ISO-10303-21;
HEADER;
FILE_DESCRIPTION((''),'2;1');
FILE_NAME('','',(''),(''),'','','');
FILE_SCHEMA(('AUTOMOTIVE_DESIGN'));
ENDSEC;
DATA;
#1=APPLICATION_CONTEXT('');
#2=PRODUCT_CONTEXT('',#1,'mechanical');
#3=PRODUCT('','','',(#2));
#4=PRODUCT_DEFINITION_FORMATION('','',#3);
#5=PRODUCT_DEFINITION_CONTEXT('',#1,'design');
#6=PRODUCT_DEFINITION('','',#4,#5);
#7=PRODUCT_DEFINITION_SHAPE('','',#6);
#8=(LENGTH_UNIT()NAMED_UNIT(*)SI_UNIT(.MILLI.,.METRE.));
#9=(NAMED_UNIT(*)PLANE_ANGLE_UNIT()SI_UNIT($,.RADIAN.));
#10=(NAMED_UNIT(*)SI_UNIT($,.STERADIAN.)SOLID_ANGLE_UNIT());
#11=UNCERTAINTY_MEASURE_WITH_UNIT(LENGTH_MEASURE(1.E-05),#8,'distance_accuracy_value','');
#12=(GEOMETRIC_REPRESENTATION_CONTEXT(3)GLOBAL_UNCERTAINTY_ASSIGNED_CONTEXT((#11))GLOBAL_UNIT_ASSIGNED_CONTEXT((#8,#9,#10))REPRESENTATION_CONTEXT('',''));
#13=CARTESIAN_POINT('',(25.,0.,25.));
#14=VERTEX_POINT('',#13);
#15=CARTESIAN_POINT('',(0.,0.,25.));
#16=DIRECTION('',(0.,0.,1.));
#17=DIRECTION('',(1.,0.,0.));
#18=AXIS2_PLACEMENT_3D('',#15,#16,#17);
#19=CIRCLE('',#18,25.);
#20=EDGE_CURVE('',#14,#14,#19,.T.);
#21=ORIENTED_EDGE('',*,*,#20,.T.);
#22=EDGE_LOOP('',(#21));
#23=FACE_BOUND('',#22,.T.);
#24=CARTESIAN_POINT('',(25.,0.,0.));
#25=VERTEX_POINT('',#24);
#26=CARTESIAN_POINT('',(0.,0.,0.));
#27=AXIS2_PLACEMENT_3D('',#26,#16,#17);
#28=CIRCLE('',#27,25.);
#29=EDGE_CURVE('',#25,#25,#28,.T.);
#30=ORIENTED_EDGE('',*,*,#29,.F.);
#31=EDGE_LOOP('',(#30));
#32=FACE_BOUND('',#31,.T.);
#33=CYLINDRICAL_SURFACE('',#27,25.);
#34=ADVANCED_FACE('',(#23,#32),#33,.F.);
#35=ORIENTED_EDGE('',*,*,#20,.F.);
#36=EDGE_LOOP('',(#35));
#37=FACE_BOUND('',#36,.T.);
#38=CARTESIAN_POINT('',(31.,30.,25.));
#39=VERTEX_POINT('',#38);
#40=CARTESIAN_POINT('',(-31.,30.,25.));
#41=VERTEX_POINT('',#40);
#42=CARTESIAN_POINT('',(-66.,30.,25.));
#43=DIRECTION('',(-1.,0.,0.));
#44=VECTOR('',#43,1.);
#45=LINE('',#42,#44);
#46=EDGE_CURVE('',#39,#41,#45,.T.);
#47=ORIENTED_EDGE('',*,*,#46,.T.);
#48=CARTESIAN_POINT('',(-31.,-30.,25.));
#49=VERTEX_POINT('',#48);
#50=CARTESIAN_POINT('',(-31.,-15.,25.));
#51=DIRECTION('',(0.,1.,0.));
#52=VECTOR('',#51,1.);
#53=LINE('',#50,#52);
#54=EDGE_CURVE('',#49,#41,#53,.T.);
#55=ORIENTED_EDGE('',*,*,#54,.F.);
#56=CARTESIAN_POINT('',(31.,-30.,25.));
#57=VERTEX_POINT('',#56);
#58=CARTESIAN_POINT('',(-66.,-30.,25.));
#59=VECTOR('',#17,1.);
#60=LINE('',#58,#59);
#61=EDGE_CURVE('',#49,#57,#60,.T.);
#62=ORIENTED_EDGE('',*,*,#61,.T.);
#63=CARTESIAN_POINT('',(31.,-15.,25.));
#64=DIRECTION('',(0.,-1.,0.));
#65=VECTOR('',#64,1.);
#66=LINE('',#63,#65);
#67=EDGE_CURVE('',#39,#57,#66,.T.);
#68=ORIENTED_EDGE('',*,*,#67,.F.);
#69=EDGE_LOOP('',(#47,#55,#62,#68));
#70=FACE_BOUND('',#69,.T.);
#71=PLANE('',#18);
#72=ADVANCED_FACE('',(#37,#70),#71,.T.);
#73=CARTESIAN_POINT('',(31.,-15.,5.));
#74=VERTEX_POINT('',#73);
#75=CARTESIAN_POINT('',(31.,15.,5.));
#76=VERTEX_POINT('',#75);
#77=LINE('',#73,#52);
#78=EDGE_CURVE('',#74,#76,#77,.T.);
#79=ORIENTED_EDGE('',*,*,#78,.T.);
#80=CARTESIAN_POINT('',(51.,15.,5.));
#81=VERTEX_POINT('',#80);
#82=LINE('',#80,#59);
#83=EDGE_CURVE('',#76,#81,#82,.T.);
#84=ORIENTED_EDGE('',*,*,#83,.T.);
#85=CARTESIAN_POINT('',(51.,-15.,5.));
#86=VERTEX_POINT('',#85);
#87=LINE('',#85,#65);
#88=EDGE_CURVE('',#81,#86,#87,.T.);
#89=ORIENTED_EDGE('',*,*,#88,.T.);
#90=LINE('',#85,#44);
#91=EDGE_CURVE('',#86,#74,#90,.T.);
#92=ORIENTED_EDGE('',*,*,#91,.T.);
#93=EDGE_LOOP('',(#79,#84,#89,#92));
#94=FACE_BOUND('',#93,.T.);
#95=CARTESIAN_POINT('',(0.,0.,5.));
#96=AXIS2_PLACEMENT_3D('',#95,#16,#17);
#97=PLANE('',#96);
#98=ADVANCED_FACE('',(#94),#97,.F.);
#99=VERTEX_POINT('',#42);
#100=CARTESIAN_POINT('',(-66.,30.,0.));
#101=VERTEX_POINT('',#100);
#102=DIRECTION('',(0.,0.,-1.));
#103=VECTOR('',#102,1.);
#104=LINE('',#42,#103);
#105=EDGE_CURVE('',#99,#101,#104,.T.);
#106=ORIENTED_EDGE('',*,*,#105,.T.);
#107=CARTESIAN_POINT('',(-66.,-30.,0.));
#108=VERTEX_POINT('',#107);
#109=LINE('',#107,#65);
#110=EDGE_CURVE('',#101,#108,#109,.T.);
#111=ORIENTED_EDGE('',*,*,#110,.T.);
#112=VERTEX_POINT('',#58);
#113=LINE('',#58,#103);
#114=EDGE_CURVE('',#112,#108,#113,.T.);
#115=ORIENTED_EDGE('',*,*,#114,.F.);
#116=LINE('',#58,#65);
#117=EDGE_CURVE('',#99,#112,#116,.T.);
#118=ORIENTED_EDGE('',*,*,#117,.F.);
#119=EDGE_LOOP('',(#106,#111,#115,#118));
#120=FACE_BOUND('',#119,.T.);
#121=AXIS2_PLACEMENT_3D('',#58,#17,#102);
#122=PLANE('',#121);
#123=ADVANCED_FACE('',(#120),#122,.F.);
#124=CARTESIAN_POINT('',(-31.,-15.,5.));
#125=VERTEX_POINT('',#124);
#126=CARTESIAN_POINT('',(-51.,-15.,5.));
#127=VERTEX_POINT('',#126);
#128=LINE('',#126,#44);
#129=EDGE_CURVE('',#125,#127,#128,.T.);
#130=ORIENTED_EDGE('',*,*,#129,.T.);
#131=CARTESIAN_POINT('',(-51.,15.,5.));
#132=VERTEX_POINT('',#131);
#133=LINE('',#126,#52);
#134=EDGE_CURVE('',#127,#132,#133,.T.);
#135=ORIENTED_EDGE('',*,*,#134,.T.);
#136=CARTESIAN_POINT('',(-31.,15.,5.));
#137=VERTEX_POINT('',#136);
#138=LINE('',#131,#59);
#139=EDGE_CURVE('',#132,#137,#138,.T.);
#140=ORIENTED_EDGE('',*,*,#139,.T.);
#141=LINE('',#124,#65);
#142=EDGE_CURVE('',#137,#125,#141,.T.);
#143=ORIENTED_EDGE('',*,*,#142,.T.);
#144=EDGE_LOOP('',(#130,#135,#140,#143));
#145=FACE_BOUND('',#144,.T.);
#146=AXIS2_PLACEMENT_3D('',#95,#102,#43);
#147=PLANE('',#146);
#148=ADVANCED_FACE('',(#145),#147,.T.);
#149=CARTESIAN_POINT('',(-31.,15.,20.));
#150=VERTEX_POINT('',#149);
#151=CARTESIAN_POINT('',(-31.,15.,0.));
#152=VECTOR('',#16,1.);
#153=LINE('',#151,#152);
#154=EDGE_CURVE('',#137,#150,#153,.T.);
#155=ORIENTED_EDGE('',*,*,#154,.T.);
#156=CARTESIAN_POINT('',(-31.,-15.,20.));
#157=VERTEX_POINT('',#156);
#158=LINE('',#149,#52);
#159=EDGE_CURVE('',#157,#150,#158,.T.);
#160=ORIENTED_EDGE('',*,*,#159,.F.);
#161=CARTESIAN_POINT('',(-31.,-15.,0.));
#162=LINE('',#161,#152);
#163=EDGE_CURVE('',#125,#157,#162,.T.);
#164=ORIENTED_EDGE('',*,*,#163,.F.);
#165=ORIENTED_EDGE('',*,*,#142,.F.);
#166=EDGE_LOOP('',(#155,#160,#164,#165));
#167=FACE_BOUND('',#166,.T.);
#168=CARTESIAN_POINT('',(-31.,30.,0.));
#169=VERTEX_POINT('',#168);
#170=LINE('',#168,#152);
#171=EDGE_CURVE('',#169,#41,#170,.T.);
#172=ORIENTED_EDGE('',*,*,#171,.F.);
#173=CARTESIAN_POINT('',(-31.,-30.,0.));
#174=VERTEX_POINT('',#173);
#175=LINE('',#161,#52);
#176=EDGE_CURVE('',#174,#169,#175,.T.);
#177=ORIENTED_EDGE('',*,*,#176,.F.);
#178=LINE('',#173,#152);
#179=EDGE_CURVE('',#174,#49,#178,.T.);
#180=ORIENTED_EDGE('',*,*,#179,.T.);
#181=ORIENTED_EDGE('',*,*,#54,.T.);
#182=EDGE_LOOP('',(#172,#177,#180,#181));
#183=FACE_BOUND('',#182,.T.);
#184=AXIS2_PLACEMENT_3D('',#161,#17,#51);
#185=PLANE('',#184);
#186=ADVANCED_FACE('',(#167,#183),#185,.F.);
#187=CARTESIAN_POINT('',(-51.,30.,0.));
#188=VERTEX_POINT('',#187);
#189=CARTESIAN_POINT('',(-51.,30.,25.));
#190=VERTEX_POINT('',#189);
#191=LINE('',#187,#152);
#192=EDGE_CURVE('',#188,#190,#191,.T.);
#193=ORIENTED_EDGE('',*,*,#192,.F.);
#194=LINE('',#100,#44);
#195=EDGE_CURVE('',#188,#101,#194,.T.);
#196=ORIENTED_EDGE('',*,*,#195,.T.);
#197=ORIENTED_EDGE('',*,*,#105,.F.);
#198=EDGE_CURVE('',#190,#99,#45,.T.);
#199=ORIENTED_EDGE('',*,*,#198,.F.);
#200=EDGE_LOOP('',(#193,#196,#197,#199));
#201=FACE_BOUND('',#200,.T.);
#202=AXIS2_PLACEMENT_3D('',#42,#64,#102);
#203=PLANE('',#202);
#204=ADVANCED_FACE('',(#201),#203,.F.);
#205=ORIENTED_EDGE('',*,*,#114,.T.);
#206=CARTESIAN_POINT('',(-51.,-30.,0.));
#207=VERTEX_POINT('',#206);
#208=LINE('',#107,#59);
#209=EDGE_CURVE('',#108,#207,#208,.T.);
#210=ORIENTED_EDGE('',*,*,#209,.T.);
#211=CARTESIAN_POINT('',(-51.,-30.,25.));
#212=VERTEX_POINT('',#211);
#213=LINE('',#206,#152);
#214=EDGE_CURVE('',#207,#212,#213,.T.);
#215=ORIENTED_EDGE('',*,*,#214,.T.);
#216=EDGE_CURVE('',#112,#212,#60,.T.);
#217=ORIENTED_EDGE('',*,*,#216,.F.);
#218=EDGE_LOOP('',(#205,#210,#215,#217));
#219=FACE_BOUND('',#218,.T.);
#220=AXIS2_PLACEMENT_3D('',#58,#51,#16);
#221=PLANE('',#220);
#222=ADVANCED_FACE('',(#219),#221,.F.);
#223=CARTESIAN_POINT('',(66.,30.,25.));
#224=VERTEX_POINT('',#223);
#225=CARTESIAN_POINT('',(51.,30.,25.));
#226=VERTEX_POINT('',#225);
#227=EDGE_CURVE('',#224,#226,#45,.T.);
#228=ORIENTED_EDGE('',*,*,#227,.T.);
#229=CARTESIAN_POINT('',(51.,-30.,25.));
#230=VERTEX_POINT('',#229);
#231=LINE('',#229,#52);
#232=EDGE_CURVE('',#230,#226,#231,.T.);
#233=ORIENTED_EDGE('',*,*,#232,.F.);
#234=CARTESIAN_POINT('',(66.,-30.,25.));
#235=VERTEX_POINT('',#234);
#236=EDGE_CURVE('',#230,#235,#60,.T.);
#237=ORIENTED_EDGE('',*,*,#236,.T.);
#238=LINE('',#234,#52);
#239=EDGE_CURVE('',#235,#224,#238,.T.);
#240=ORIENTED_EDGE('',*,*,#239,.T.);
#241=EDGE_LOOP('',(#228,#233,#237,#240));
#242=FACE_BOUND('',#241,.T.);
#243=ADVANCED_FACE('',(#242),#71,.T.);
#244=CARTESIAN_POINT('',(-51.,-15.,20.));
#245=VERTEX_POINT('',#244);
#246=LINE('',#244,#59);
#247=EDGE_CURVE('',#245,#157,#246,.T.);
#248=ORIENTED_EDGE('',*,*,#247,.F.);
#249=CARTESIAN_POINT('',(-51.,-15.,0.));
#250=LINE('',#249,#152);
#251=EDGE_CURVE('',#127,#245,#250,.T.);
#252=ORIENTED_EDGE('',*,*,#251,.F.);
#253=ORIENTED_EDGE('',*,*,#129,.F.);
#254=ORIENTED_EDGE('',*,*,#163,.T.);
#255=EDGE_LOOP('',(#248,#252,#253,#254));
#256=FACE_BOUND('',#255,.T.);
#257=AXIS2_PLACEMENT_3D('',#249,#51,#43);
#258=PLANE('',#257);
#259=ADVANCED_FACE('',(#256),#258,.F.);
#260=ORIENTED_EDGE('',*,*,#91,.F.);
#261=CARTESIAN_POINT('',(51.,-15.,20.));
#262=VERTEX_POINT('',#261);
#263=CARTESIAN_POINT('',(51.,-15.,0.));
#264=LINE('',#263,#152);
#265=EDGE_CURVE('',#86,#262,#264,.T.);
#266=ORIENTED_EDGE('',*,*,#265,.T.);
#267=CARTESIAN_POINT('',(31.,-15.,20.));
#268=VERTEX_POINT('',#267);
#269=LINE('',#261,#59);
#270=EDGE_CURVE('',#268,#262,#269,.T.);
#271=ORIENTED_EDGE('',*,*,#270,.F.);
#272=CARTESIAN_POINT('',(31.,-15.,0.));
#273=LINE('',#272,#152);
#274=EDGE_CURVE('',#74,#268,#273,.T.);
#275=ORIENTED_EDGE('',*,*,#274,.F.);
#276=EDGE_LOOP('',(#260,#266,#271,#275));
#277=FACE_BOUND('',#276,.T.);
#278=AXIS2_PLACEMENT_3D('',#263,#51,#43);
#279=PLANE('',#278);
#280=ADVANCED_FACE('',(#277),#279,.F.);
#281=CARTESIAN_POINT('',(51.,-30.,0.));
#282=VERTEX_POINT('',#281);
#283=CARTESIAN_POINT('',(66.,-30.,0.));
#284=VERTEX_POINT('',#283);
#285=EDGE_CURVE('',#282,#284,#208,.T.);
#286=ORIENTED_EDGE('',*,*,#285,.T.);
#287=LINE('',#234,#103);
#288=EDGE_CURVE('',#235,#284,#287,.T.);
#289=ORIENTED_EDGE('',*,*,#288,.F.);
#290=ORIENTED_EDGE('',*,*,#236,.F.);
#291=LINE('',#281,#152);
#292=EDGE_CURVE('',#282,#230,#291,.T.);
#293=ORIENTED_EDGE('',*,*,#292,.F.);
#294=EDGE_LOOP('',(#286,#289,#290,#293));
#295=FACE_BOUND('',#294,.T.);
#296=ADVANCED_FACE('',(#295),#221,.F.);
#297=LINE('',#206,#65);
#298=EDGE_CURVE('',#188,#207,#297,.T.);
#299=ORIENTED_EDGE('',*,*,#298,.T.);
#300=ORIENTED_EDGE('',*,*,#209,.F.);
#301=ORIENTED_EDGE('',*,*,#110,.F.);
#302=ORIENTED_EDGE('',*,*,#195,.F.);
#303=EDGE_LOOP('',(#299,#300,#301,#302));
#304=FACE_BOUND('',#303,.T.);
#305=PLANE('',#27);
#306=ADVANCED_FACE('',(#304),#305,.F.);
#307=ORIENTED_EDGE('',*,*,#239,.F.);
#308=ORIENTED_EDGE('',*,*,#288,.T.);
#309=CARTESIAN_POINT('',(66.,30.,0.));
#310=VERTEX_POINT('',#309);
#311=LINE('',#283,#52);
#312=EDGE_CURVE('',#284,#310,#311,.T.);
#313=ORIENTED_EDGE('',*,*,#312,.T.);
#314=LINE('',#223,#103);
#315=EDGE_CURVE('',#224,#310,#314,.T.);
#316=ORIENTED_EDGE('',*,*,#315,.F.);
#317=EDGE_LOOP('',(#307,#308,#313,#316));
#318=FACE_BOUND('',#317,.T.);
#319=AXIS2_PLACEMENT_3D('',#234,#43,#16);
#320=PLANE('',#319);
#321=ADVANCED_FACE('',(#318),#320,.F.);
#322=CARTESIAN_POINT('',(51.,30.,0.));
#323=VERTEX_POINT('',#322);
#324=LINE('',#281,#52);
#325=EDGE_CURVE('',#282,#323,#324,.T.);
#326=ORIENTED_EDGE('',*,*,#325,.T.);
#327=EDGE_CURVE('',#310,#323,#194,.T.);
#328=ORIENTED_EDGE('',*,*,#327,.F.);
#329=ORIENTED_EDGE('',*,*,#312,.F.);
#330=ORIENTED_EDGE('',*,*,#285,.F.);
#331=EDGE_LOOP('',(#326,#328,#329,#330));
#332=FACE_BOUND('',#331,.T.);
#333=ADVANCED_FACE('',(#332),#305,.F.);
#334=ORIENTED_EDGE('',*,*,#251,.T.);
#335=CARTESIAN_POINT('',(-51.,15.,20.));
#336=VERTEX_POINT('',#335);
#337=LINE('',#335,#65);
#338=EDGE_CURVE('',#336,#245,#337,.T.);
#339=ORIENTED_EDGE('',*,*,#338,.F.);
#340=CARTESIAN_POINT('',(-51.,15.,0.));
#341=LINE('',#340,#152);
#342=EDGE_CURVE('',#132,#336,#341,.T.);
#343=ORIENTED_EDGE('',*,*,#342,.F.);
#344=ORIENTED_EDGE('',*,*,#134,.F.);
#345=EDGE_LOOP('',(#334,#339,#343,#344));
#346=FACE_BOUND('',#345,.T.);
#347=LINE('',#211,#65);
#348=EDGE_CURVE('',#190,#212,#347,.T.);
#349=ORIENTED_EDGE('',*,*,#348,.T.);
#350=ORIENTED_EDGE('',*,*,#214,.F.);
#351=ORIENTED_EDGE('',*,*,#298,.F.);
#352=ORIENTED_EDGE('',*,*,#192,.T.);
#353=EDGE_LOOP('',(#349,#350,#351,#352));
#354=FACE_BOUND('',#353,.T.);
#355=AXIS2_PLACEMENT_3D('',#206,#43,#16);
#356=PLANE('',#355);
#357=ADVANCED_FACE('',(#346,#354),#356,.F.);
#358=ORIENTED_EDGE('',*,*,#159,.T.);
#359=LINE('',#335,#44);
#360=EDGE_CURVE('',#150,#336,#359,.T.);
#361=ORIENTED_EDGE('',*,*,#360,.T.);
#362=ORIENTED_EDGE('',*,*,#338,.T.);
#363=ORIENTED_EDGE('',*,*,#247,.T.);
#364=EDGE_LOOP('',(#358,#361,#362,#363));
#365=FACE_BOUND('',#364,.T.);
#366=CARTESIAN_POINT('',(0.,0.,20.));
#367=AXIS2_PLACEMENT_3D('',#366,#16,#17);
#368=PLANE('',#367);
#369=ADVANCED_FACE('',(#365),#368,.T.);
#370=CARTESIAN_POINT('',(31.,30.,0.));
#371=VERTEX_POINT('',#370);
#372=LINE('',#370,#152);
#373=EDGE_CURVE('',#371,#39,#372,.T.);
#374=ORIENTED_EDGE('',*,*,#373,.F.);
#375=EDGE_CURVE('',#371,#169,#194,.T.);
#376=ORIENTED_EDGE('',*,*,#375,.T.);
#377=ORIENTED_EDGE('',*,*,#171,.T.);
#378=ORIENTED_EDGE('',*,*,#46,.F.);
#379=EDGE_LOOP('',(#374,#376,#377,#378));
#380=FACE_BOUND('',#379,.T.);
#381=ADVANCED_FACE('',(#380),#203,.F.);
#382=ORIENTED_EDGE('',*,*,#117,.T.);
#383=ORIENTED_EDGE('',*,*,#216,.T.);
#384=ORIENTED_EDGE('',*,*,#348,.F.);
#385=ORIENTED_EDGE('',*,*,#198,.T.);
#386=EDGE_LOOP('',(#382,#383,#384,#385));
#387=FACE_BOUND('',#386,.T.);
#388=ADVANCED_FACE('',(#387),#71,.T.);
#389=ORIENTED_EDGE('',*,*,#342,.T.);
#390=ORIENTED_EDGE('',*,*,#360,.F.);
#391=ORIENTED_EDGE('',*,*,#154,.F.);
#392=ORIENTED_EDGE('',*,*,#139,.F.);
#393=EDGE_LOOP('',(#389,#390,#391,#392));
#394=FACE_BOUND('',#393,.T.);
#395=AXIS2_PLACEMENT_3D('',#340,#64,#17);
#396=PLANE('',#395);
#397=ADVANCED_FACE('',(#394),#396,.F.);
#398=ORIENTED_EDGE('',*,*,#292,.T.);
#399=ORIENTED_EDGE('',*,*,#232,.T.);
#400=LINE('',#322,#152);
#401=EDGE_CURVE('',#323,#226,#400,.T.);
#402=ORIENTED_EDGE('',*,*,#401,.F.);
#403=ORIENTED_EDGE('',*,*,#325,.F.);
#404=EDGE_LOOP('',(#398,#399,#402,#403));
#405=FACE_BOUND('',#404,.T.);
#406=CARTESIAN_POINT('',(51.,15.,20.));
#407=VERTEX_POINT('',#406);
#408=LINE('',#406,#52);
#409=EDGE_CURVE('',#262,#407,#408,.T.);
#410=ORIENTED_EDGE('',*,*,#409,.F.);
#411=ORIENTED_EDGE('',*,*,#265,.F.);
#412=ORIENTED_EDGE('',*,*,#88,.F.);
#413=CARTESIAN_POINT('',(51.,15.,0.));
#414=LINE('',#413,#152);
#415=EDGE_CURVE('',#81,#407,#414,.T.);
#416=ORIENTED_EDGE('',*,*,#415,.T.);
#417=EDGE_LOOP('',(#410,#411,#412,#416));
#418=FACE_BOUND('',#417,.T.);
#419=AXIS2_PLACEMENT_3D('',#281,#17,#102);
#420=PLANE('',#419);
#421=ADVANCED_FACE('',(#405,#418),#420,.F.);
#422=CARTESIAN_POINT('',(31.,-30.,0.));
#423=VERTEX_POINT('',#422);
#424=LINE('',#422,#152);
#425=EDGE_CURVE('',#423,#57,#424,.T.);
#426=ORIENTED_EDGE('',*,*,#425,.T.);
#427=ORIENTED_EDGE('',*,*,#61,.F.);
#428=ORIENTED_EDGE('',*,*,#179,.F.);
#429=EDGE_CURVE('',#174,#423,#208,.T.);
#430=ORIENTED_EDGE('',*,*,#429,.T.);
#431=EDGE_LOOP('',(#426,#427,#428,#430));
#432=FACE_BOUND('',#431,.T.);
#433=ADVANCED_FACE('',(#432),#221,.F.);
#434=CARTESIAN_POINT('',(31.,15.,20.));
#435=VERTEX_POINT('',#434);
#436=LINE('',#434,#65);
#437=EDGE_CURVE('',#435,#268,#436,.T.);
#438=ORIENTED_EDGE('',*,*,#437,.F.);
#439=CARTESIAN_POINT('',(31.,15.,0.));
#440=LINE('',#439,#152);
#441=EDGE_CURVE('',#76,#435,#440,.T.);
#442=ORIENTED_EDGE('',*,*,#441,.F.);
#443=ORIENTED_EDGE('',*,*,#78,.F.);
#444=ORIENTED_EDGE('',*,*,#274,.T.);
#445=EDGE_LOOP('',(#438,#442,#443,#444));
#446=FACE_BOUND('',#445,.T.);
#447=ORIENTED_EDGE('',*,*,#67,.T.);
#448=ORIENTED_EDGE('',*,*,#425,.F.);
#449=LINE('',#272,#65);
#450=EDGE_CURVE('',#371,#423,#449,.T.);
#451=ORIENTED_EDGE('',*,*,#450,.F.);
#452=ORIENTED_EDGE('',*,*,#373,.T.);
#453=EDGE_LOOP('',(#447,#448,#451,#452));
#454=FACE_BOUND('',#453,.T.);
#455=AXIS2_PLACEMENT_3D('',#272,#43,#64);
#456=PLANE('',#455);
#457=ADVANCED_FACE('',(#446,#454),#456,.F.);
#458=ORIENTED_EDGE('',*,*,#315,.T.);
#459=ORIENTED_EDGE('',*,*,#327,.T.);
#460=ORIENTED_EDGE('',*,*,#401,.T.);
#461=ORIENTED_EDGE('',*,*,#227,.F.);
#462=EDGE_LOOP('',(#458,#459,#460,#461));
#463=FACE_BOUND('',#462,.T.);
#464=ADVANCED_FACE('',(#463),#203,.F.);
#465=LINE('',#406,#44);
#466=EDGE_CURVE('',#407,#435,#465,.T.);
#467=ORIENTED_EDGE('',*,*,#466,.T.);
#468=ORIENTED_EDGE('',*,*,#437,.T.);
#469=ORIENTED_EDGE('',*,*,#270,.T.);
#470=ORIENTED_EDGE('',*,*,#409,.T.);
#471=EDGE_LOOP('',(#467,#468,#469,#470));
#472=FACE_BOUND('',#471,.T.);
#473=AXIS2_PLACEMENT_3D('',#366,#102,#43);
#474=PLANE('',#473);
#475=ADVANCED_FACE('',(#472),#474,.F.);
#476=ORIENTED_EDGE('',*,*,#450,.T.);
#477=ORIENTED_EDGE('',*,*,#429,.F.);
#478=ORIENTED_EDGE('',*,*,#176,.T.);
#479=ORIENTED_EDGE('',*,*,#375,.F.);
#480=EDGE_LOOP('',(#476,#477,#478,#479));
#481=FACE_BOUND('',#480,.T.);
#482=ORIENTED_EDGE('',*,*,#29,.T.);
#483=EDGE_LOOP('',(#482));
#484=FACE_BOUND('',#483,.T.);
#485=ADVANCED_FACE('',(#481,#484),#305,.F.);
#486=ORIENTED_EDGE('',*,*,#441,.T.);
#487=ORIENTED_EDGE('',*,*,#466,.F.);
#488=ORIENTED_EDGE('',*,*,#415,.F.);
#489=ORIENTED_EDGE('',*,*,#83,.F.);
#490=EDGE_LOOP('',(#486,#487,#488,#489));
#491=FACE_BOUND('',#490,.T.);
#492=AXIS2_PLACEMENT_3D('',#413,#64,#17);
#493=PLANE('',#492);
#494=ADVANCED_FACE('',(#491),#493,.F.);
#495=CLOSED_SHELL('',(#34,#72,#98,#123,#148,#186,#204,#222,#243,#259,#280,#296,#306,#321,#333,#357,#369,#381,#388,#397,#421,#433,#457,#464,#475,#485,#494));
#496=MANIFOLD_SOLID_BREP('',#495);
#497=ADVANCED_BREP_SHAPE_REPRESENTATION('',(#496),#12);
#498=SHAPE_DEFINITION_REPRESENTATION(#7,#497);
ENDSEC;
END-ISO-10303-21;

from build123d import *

# Parameters (mm, degrees)
SKETCH1_W           = 60
SKETCH1_H           = 132
BOSS_EXTRUDE1_DEPTH = 25
SKETCH2_W           = 20
SKETCH2_H           = 15
CUT_EXTRUDE1_DEPTH  = 77.68767828
SKETCH4_W           = 20
SKETCH4_H           = 30
CUT_EXTRUDE2_DEPTH  = 5
SKETCH5_W           = 20
SKETCH5_H           = 30
CUT_EXTRUDE3_DEPTH  = 5
SKETCH6_R           = 25
CUT_EXTRUDE4_DEPTH  = 77.68767828


with BuildPart() as part:
    # Sketch1 → Boss-Extrude1 (new body)
    with BuildSketch(Plane(origin=(0, 0, 0), x_dir=(0, 1, 0), z_dir=(0, 0, 1))):
        Rectangle(SKETCH1_W, SKETCH1_H)
    extrude(amount=BOSS_EXTRUDE1_DEPTH)

    # Sketch2 → Cut-Extrude1 (cut, through all)
    with BuildSketch(Plane.XY.offset(25)):
        with Locations((-41, 22.5)):
            Rectangle(SKETCH2_W, SKETCH2_H)
        with Locations((41, 22.5)):
            Rectangle(SKETCH2_W, SKETCH2_H)
        with Locations((41, -22.5)):
            Rectangle(SKETCH2_W, SKETCH2_H)
        with Locations((-41, -22.5)):
            Rectangle(SKETCH2_W, SKETCH2_H)
    extrude(amount=-CUT_EXTRUDE1_DEPTH, mode=Mode.SUBTRACT)

    # Sketch4 → Cut-Extrude2 (cut)
    with BuildSketch(Plane.XY.offset(25)):
        with Locations((-41, 0)):
            Rectangle(SKETCH4_W, SKETCH4_H)
        with Locations((41, 0)):
            Rectangle(SKETCH4_W, SKETCH4_H)
    extrude(amount=-CUT_EXTRUDE2_DEPTH, mode=Mode.SUBTRACT)

    # Sketch5 → Cut-Extrude3 (cut)
    with BuildSketch(Plane(origin=(0, 0, 0), x_dir=(1, 0, 0), z_dir=(0, 0, -1))):
        with Locations((-41, 0)):
            Rectangle(SKETCH5_W, SKETCH5_H)
        with Locations((41, 0)):
            Rectangle(SKETCH5_W, SKETCH5_H)
    extrude(amount=-CUT_EXTRUDE3_DEPTH, mode=Mode.SUBTRACT)

    # Sketch6 → Cut-Extrude4 (cut, through all)
    with BuildSketch(Plane.XY.offset(25)):
        Circle(SKETCH6_R)
    extrude(amount=-CUT_EXTRUDE4_DEPTH, mode=Mode.SUBTRACT)


solid = part.part
